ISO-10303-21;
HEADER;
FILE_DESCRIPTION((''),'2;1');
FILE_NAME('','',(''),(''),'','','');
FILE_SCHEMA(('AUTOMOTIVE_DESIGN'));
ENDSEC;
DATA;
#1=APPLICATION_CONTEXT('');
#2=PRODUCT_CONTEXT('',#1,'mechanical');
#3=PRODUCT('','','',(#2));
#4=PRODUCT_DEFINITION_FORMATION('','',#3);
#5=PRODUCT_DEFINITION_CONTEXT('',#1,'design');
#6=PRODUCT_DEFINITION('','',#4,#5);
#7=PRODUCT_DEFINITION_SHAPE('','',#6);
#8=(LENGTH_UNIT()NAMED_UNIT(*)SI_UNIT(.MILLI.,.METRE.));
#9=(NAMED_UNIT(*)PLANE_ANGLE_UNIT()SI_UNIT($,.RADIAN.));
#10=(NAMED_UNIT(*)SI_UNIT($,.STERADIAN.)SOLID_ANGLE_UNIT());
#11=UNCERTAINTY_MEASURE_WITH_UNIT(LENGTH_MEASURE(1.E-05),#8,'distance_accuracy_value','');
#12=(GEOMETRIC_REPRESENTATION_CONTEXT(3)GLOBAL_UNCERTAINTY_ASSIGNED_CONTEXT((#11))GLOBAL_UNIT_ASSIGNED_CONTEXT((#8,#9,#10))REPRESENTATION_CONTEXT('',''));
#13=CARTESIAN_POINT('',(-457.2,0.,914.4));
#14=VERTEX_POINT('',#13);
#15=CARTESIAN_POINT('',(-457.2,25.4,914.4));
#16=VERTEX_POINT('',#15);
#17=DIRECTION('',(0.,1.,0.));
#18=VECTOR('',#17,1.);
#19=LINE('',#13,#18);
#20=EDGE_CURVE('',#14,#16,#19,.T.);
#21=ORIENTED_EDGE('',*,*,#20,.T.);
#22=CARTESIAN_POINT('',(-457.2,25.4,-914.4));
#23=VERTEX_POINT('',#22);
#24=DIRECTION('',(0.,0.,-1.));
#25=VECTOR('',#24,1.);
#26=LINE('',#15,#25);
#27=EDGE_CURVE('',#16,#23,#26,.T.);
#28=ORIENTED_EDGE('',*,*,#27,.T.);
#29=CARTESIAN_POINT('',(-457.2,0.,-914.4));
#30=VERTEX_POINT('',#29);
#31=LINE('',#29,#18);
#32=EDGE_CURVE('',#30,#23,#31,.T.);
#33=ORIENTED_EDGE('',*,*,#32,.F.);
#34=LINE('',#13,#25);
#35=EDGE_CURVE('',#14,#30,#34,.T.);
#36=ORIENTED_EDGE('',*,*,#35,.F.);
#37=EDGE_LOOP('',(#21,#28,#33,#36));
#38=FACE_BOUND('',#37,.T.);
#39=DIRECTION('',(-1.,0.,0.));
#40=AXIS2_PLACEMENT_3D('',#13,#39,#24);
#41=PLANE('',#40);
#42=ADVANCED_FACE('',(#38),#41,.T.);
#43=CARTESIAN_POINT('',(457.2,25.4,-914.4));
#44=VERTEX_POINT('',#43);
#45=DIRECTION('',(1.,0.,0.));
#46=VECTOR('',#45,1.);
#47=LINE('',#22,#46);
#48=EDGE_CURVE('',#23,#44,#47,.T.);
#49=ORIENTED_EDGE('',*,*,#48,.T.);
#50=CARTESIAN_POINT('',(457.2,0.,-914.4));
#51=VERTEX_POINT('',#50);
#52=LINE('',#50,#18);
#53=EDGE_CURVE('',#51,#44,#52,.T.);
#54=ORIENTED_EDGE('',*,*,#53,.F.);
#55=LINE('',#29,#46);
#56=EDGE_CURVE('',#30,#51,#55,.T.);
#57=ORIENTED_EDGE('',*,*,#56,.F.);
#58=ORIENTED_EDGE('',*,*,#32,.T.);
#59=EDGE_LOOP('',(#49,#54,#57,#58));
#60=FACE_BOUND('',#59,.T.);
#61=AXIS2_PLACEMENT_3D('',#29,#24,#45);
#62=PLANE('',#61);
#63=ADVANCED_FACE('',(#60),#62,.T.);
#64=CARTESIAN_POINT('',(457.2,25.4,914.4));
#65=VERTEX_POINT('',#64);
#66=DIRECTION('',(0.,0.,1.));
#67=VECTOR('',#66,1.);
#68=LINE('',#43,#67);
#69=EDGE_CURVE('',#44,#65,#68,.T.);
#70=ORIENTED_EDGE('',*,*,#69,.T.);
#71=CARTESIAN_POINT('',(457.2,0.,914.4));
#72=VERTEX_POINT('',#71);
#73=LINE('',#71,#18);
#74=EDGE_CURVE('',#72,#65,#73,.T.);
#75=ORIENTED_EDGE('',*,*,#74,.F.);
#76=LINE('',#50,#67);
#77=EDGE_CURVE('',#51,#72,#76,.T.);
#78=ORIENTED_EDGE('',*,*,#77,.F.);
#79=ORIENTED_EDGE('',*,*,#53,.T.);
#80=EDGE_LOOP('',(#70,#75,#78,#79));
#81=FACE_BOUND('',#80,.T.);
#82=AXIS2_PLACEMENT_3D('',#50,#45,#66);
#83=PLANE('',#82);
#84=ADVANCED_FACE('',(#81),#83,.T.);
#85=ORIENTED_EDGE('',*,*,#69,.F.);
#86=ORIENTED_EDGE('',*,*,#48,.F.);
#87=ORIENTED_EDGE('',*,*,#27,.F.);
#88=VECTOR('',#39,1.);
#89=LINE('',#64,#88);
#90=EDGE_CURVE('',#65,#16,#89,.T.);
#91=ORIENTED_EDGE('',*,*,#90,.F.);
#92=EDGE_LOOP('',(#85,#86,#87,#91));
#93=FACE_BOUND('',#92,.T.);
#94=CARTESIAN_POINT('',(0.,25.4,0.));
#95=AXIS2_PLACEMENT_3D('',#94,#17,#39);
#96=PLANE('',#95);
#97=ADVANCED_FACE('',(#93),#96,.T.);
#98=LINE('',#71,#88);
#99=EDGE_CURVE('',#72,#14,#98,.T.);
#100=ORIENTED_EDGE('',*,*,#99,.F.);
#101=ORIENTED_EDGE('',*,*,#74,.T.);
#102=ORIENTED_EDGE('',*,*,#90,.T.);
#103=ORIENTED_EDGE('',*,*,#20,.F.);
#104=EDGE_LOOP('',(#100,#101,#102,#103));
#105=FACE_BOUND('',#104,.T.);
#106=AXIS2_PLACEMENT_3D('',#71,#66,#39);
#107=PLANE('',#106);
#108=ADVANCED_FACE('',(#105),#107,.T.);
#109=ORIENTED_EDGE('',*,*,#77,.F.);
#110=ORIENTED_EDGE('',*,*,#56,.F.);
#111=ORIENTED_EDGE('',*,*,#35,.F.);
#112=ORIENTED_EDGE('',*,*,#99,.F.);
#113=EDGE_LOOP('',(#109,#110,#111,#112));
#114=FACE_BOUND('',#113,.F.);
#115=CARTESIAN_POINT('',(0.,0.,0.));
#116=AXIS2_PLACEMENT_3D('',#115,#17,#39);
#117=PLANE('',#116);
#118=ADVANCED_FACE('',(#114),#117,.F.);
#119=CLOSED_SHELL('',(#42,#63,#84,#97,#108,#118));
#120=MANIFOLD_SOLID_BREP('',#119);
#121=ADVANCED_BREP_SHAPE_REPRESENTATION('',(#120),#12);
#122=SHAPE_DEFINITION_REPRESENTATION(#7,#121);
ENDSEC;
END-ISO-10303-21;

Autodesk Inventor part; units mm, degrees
ref_plane "YZ Plane" through (0, 0, 0) normal (1, 0, 0) x (0, 1, 0)
ref_plane "XZ Plane" through (0, 0, 0) normal (0, 1, 0) x (-1, 0, 0)
ref_plane "XY Plane" through (0, 0, 0) normal (0, 0, 1) x (1, 0, 0)
sketch "Sketch1" plane through (0, 0, 0) normal (0, 1, 0) x (-1, 0, 0)
  line L0 (-457.2, 914.4) -> (457.2, 914.4)
  line L1 (457.2, 914.4) -> (457.2, -914.4)
  line L2 (457.2, -914.4) -> (-457.2, -914.4)
  line L3 (-457.2, -914.4) -> (-457.2, 914.4)
  line L4 (-457.2, 914.4) -> (457.2, -914.4) construction
  line L5 (457.2, 914.4) -> (-457.2, -914.4) construction
  point P0 (0, 0)
  dimension "d0" = 914.4
  dimension "d1" = 1828.8
extrude "Extrusion1" add sketch "Sketch1" along normal blind 25.4
properties part number "6'x3' plywood"
